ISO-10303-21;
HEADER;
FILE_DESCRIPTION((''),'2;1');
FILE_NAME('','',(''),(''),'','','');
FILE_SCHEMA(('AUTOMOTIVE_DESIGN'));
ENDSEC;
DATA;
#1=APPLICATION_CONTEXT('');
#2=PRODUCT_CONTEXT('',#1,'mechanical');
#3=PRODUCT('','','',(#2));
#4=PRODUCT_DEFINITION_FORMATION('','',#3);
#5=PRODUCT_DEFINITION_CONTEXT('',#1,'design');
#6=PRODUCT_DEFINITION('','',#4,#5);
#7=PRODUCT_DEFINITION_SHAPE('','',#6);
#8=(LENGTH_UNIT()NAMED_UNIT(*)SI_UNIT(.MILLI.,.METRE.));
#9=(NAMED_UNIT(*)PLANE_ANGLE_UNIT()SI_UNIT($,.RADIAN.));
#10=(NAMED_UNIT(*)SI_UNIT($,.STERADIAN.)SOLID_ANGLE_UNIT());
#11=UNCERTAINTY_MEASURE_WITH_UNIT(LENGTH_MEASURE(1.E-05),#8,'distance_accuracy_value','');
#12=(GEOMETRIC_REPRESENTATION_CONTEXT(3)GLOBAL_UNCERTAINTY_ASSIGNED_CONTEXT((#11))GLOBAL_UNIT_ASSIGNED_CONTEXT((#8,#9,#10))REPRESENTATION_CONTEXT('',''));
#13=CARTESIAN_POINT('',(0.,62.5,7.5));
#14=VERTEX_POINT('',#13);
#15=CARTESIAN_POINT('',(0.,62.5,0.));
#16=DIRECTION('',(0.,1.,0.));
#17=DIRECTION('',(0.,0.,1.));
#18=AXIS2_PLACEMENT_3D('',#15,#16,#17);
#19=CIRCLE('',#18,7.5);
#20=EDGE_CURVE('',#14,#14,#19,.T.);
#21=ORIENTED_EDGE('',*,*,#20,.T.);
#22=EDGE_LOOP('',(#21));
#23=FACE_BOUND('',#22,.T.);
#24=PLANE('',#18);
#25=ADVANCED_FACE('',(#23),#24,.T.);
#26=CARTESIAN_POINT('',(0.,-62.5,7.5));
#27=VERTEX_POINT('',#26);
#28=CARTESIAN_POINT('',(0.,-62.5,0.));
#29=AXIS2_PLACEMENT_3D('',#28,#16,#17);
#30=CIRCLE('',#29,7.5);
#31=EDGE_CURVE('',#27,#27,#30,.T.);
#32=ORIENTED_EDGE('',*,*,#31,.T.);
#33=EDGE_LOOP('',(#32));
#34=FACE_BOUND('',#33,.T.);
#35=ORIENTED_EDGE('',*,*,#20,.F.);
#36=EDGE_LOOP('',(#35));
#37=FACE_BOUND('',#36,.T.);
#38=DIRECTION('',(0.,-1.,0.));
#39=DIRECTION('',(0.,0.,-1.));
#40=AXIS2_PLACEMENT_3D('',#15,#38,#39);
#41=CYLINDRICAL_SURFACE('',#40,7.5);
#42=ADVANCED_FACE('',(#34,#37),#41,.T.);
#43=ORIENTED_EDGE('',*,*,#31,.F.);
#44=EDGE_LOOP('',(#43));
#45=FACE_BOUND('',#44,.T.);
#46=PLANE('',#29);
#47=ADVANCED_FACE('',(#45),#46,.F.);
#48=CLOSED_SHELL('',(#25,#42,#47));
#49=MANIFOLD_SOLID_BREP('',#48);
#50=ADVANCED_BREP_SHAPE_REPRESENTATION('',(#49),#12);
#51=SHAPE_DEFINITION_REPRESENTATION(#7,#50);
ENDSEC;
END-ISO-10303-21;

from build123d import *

# Parameters (mm, degrees)
SKETCH_1_R      = 7.5
EXTRUDE_1_DEPTH = 62.5


with BuildPart() as part:
    # 草圖1 → 填料-伸長1 (new body, symmetric)
    with BuildSketch(Plane(origin=(0, 0, 0), x_dir=(1, 0, 0), z_dir=(0, 1, 0))):
        Circle(SKETCH_1_R)
    extrude(amount=EXTRUDE_1_DEPTH, both=True)


solid = part.part
